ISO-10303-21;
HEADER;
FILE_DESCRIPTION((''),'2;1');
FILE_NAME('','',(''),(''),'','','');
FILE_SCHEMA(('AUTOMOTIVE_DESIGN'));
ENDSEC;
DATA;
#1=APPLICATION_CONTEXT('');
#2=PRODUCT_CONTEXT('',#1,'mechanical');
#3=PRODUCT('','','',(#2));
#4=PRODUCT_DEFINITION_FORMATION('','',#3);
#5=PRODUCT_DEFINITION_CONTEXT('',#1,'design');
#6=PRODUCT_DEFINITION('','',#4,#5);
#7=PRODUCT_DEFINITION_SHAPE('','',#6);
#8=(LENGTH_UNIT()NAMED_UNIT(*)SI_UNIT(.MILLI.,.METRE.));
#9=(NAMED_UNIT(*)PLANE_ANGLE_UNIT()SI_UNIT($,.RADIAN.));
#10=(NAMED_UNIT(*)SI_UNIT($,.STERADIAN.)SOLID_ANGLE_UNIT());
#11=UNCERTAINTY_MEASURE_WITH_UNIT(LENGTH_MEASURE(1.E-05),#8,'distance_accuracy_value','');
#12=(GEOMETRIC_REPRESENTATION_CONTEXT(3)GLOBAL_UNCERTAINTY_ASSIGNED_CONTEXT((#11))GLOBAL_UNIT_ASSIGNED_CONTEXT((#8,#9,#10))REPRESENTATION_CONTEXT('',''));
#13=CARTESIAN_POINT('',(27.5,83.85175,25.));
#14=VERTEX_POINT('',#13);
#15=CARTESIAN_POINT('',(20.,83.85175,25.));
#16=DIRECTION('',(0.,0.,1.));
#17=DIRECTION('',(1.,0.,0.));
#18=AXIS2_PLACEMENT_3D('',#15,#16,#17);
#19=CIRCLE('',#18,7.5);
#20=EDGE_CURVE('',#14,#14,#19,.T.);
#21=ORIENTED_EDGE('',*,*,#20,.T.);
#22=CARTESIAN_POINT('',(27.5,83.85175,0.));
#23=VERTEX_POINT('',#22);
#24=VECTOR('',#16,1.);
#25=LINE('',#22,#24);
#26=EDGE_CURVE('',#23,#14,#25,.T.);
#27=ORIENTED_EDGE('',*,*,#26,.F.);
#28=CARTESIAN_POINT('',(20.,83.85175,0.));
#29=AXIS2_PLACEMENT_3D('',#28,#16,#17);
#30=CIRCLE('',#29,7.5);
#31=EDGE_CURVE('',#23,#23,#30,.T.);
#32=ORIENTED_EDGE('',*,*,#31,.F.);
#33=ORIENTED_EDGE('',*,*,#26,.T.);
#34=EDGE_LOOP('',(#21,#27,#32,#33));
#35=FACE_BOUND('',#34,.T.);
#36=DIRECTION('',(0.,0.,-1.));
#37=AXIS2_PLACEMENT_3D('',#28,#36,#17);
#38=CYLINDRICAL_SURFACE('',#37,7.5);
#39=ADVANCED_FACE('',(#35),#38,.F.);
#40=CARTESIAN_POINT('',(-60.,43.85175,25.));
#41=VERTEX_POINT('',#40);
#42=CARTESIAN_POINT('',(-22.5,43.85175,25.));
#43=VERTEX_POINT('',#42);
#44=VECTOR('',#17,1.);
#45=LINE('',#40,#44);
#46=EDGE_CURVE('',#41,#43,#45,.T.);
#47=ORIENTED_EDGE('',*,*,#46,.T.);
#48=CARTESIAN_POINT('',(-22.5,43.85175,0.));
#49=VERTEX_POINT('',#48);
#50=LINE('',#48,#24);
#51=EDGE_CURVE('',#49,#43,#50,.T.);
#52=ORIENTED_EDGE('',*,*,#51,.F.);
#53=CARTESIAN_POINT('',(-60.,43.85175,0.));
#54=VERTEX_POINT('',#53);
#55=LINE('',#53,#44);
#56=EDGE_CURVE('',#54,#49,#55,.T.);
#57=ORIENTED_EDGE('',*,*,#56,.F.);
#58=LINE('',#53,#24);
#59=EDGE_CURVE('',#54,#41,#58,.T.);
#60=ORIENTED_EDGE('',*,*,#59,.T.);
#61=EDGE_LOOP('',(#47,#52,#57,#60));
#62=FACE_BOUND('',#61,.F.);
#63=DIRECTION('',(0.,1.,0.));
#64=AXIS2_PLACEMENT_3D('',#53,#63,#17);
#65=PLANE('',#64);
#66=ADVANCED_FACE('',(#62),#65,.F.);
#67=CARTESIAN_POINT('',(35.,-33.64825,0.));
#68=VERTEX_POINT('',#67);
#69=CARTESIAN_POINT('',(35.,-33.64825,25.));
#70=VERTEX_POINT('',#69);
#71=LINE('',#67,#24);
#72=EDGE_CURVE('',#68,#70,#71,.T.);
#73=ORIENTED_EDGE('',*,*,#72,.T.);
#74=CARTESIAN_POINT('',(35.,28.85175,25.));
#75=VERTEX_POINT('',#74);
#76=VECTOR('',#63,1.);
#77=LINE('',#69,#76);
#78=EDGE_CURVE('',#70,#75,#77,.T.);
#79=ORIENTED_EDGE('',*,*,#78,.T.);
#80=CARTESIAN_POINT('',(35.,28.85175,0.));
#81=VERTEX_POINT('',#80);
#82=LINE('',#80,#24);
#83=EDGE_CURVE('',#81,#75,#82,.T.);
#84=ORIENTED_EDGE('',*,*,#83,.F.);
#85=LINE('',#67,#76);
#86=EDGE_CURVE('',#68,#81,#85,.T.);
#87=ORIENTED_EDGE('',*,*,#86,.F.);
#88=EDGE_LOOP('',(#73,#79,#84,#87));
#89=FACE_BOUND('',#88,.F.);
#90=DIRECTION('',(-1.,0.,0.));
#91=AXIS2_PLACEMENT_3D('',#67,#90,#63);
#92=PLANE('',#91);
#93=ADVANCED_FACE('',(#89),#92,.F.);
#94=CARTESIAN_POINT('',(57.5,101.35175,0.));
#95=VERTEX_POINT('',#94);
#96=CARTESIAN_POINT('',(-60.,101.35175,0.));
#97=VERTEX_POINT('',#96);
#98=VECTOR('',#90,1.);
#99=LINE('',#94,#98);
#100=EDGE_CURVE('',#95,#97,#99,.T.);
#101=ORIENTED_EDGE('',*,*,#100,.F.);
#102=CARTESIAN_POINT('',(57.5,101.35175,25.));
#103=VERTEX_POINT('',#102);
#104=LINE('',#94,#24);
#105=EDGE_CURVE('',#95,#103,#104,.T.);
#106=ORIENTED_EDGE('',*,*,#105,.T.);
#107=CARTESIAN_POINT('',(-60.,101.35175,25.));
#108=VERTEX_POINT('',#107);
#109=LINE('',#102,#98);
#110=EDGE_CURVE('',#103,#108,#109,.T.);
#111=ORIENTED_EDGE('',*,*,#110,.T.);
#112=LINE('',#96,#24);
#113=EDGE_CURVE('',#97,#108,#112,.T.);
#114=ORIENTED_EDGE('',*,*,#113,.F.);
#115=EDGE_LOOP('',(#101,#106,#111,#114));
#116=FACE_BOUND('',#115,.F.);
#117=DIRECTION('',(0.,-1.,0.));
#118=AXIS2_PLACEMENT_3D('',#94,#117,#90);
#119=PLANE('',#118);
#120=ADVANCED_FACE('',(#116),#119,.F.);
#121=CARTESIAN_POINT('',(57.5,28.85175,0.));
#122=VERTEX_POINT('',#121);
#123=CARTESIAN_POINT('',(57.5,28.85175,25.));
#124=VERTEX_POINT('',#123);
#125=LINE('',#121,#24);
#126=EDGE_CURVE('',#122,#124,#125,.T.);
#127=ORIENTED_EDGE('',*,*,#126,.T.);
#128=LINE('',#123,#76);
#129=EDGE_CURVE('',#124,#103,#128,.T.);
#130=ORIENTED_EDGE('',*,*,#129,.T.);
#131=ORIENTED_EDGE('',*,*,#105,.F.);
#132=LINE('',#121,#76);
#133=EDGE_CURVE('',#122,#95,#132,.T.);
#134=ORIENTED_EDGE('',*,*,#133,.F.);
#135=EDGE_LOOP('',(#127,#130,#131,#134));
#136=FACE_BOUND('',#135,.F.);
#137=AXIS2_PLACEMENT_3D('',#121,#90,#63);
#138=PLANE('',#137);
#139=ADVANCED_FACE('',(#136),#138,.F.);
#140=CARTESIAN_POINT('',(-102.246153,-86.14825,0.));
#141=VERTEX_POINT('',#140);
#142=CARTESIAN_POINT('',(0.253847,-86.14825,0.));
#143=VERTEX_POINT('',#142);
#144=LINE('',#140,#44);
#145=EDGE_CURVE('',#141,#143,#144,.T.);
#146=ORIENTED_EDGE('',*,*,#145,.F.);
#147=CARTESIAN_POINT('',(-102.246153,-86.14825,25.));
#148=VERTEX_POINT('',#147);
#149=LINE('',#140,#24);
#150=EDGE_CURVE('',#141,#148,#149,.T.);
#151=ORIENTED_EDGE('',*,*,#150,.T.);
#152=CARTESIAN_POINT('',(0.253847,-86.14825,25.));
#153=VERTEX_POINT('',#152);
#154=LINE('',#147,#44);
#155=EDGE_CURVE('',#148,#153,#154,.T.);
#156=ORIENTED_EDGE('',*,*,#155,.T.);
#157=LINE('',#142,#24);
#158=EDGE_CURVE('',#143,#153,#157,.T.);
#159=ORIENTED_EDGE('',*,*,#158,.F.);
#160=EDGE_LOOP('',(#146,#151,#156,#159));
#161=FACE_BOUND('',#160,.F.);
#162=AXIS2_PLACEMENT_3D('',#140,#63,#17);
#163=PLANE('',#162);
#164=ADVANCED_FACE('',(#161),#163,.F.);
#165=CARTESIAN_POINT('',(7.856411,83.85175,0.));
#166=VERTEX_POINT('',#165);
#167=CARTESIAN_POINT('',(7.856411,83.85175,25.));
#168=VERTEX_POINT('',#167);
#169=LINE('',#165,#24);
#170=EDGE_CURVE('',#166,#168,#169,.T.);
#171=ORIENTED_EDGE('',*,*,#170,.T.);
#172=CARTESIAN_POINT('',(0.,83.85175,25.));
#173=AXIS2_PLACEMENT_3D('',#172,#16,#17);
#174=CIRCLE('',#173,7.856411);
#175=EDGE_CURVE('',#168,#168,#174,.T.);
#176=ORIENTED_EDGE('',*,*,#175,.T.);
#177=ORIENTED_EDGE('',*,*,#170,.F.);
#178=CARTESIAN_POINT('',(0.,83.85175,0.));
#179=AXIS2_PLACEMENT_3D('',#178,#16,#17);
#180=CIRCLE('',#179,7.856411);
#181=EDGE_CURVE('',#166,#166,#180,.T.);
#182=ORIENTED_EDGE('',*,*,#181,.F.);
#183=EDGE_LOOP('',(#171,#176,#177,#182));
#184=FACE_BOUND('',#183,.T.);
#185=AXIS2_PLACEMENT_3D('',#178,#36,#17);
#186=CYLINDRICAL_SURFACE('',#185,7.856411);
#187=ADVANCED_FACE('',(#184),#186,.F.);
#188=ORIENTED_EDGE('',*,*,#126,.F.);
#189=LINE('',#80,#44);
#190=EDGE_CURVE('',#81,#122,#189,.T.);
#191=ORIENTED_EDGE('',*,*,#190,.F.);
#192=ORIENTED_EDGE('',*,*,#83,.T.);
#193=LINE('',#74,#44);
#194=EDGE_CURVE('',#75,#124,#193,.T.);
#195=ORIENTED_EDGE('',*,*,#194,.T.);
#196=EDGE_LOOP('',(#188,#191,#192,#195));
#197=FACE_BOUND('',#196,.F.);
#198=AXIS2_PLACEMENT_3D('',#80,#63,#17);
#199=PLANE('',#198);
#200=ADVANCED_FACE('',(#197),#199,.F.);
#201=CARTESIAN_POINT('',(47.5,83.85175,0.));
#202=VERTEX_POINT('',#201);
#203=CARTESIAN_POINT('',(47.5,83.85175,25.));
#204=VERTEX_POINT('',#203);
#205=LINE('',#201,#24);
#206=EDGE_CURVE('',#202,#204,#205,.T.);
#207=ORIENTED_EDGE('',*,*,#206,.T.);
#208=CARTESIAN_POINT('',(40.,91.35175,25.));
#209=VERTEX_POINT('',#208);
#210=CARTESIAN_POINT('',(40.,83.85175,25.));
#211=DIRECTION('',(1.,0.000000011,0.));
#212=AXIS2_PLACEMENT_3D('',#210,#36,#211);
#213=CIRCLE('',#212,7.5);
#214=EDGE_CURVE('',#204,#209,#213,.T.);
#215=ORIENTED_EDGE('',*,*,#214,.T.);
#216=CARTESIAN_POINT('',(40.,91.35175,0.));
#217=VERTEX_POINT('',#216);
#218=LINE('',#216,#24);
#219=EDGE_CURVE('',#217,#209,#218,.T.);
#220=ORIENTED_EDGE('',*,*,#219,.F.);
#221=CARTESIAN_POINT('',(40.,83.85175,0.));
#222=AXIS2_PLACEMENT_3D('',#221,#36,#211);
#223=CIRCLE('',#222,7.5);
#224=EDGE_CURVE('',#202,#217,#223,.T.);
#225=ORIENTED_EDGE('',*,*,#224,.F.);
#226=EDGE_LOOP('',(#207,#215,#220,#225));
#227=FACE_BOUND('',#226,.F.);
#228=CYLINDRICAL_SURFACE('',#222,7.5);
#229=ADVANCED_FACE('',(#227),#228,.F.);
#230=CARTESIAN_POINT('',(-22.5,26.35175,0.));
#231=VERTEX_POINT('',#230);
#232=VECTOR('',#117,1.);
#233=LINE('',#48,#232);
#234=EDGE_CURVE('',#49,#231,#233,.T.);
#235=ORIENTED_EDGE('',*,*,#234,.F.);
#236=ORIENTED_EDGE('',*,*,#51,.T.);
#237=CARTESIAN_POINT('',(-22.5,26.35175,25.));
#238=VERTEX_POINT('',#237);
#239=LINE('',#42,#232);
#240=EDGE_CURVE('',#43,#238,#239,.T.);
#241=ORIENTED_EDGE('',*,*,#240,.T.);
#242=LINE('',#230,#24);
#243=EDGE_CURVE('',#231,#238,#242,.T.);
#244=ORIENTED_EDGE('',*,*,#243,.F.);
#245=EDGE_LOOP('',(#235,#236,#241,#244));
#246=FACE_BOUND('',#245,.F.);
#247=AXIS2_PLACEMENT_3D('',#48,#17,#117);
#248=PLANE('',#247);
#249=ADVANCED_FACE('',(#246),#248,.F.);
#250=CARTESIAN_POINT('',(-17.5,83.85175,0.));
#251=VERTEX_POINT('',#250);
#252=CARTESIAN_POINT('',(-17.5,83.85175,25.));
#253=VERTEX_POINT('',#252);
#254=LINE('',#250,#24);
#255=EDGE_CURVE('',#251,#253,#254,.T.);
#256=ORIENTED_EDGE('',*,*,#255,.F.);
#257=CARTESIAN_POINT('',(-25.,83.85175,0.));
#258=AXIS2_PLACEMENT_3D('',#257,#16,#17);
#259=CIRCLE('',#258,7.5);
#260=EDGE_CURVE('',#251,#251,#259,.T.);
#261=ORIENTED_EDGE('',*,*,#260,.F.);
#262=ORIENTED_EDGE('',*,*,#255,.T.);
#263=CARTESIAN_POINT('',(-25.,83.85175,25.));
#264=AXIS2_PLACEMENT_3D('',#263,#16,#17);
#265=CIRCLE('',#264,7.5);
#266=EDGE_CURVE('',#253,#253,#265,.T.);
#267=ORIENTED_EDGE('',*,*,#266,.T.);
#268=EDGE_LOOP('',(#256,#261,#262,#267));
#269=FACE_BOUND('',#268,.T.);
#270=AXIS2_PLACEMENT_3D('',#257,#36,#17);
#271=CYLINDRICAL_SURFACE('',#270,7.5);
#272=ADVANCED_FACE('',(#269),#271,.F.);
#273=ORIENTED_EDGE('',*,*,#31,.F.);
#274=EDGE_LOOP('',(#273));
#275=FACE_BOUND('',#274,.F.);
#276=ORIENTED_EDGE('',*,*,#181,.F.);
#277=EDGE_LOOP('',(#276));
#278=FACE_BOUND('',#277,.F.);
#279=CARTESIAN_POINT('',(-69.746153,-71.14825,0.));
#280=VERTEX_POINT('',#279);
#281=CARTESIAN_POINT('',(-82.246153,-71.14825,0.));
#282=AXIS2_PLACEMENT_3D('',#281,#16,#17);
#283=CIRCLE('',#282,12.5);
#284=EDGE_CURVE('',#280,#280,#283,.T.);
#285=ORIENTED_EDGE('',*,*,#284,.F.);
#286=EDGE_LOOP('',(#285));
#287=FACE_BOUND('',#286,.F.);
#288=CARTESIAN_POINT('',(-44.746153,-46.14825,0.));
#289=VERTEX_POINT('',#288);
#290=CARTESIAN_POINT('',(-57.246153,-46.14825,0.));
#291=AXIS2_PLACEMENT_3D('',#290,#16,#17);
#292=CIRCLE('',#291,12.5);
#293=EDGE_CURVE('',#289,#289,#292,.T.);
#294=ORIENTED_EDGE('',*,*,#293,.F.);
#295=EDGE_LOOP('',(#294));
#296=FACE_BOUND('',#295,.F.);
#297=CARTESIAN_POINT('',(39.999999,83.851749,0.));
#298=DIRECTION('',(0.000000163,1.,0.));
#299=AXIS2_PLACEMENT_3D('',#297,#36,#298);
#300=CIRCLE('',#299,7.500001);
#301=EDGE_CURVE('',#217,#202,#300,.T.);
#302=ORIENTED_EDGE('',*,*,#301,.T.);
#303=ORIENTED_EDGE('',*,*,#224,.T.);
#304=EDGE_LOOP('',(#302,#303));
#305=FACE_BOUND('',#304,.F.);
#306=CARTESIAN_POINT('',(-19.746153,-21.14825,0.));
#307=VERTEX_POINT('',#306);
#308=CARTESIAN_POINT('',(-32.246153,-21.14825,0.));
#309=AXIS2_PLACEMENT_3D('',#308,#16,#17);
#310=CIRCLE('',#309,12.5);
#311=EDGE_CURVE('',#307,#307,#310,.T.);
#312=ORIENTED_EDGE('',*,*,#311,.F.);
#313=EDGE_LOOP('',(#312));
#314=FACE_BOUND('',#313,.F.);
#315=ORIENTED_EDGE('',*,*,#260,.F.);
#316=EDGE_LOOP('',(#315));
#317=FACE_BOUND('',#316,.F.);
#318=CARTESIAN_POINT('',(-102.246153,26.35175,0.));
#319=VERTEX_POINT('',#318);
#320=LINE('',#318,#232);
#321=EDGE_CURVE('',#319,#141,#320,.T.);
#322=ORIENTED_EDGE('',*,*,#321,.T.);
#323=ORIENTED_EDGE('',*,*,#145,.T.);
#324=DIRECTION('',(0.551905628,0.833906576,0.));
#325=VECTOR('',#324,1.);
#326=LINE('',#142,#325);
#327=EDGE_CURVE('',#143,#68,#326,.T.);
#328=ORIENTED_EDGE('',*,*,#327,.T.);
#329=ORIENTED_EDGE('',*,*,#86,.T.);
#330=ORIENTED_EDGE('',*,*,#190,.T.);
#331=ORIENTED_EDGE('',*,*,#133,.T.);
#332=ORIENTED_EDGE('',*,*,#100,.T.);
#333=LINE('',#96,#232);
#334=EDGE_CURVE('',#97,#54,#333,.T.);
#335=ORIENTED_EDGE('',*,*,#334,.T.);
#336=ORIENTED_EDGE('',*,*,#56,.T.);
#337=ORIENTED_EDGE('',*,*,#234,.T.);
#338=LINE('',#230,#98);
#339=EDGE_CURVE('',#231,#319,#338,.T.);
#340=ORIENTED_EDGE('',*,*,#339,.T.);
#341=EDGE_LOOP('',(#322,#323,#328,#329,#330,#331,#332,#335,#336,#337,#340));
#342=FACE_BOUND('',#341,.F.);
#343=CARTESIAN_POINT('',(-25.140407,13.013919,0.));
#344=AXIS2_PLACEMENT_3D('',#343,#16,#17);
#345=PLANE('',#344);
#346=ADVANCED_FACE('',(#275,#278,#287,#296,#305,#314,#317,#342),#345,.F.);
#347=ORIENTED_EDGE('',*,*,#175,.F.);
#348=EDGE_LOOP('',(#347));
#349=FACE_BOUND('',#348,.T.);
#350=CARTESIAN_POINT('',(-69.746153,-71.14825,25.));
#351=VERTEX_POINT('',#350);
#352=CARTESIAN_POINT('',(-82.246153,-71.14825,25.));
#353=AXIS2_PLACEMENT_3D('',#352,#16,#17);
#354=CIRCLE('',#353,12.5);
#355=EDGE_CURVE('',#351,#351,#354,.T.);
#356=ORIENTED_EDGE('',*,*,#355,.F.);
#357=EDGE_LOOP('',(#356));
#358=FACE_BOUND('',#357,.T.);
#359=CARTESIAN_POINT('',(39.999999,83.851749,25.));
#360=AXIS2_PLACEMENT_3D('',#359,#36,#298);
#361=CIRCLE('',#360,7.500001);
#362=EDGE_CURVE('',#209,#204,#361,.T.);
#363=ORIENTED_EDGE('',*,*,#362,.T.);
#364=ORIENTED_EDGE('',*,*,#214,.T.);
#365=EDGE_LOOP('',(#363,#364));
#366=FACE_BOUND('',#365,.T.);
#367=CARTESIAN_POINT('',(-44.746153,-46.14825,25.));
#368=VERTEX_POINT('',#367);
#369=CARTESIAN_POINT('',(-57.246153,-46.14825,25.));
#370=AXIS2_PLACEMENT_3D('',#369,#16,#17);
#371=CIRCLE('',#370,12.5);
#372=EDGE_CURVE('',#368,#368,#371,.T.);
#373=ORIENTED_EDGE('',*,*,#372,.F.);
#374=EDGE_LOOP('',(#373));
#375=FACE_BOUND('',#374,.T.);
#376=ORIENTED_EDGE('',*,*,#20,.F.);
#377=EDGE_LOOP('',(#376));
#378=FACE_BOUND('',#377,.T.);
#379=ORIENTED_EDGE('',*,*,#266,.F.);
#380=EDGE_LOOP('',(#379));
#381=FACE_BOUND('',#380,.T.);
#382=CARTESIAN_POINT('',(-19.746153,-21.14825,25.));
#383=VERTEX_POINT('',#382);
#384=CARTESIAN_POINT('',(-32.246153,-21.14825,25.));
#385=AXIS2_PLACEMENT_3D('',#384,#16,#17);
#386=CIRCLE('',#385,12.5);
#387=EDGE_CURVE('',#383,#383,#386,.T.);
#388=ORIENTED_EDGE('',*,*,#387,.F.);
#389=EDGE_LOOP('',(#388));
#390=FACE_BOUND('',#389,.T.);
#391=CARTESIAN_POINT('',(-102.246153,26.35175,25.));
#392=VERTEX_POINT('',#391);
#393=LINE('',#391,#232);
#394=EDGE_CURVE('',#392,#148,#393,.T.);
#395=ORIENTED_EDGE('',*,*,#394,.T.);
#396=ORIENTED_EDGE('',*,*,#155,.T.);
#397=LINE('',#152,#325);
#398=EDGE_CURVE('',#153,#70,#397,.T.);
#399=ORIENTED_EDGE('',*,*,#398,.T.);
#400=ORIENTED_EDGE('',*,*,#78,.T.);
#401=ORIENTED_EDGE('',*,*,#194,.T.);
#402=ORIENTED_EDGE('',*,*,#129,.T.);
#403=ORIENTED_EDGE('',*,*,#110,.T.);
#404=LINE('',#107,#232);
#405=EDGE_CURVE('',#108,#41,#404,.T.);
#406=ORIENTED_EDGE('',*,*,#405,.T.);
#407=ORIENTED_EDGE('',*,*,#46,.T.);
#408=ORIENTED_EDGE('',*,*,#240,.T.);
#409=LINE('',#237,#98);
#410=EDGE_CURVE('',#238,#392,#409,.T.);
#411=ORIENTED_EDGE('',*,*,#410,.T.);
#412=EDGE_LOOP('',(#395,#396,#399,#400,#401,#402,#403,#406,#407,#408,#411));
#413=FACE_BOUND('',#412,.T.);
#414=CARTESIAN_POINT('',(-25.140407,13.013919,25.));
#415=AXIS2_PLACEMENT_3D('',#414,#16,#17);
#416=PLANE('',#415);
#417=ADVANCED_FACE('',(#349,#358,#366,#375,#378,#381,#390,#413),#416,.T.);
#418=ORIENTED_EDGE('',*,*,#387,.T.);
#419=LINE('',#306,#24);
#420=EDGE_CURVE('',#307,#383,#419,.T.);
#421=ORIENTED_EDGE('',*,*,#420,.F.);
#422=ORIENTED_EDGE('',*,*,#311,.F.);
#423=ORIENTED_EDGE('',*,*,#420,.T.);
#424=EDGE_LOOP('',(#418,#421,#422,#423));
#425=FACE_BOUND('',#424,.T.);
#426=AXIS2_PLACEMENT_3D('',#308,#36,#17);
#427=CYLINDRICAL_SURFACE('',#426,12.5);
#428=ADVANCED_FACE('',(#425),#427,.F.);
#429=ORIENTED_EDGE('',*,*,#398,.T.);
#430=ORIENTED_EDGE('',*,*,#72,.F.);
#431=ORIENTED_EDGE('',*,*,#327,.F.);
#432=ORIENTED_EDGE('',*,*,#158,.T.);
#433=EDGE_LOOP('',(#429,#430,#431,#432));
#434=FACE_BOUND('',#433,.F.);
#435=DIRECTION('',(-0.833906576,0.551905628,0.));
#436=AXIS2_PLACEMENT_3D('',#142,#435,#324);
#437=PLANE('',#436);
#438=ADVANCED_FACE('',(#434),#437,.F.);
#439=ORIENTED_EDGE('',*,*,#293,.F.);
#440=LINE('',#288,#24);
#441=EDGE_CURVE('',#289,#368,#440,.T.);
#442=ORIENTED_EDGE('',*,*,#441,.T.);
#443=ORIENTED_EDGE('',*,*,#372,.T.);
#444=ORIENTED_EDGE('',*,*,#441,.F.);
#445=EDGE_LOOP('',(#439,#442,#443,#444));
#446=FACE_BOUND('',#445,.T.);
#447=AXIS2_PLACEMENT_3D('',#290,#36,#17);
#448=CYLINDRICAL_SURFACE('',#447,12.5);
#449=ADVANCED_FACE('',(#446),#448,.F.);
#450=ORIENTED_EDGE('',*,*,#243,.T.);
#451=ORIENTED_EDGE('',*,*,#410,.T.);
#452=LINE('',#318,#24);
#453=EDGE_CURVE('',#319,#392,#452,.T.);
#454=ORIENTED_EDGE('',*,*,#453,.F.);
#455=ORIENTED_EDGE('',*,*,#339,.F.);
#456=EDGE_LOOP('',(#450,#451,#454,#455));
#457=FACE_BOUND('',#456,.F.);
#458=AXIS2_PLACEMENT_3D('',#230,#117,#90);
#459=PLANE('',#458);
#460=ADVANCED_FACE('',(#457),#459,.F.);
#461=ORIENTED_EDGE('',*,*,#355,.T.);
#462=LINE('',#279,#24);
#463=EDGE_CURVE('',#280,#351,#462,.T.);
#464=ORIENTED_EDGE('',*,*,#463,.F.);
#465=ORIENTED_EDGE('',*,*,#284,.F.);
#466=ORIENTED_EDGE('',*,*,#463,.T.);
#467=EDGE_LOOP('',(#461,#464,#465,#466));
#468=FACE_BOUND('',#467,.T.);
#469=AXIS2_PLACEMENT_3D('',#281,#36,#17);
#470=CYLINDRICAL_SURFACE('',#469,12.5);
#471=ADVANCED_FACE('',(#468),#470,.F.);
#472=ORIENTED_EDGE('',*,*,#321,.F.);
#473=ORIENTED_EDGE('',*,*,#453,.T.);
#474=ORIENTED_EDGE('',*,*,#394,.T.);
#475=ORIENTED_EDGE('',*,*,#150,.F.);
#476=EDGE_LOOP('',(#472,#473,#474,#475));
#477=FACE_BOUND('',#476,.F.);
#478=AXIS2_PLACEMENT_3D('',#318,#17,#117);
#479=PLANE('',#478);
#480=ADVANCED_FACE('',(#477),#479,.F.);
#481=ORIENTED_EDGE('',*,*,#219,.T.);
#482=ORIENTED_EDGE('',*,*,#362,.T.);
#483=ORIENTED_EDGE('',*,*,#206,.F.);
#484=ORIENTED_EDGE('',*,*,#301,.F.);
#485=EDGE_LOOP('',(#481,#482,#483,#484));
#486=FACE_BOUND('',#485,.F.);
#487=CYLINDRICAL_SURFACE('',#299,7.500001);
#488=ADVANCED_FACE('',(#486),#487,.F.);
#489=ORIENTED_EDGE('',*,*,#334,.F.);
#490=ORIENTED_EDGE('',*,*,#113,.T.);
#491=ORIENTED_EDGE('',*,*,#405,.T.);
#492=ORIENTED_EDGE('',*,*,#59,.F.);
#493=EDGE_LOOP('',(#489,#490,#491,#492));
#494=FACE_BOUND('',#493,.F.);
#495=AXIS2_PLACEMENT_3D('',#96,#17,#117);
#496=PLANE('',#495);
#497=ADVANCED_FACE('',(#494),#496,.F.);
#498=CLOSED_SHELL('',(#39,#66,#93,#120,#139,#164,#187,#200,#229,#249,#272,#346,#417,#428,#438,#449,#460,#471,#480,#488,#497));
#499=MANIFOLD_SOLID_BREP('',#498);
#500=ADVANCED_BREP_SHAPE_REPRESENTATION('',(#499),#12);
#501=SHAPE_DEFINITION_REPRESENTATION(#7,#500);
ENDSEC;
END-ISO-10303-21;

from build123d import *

# Parameters (mm, degrees)
F0_R     = 12.5
F0_R_2   = 7.5
F0_R_3   = 7.856411
F1_DEPTH = 25


with BuildPart() as f1:
    # F0 (on Top) → F1 (new body)
    with BuildSketch(Plane.XY):
        Polygon((-102.246153, -46.14825), (-102.246153, -86.14825), (-82.246153, -86.14825), (-57.246153, -86.14825), (-32.246153, -86.14825), (0.253847, -86.14825), (35, -33.64825), (35, 28.85175), (57.5, 28.85175), (57.5, 83.85175), (57.5, 101.35175), (40, 101.35175), (20, 101.35175), (0, 101.35175), (-25, 101.35175), (-60, 101.35175), (-60, 43.85175), (-22.5, 43.85175), (-22.5, 26.35175), (-102.246153, 26.35175), (-102.246153, -21.14825), align=None)
        with Locations((-82.246153, -71.14825)):
            Circle(F0_R, mode=Mode.SUBTRACT)
        with Locations((-57.246153, -46.14825)):
            Circle(F0_R, mode=Mode.SUBTRACT)
        with Locations((-32.246153, -21.14825)):
            Circle(F0_R, mode=Mode.SUBTRACT)
        with Locations((-25, 83.85175)):
            Circle(F0_R_2, mode=Mode.SUBTRACT)
        with Locations((0, 83.85175)):
            Circle(F0_R_3, mode=Mode.SUBTRACT)
        with Locations((20, 83.85175)):
            Circle(F0_R_2, mode=Mode.SUBTRACT)
        with BuildLine():
            ThreePointArc((47.5, 83.85175), (34.696699, 78.548449), (40, 91.35175))
            ThreePointArc((40, 91.35175), (45.303301, 89.15505), (47.5, 83.85175))
        make_face(mode=Mode.SUBTRACT)
    extrude(amount=F1_DEPTH)


solid = f1.part
